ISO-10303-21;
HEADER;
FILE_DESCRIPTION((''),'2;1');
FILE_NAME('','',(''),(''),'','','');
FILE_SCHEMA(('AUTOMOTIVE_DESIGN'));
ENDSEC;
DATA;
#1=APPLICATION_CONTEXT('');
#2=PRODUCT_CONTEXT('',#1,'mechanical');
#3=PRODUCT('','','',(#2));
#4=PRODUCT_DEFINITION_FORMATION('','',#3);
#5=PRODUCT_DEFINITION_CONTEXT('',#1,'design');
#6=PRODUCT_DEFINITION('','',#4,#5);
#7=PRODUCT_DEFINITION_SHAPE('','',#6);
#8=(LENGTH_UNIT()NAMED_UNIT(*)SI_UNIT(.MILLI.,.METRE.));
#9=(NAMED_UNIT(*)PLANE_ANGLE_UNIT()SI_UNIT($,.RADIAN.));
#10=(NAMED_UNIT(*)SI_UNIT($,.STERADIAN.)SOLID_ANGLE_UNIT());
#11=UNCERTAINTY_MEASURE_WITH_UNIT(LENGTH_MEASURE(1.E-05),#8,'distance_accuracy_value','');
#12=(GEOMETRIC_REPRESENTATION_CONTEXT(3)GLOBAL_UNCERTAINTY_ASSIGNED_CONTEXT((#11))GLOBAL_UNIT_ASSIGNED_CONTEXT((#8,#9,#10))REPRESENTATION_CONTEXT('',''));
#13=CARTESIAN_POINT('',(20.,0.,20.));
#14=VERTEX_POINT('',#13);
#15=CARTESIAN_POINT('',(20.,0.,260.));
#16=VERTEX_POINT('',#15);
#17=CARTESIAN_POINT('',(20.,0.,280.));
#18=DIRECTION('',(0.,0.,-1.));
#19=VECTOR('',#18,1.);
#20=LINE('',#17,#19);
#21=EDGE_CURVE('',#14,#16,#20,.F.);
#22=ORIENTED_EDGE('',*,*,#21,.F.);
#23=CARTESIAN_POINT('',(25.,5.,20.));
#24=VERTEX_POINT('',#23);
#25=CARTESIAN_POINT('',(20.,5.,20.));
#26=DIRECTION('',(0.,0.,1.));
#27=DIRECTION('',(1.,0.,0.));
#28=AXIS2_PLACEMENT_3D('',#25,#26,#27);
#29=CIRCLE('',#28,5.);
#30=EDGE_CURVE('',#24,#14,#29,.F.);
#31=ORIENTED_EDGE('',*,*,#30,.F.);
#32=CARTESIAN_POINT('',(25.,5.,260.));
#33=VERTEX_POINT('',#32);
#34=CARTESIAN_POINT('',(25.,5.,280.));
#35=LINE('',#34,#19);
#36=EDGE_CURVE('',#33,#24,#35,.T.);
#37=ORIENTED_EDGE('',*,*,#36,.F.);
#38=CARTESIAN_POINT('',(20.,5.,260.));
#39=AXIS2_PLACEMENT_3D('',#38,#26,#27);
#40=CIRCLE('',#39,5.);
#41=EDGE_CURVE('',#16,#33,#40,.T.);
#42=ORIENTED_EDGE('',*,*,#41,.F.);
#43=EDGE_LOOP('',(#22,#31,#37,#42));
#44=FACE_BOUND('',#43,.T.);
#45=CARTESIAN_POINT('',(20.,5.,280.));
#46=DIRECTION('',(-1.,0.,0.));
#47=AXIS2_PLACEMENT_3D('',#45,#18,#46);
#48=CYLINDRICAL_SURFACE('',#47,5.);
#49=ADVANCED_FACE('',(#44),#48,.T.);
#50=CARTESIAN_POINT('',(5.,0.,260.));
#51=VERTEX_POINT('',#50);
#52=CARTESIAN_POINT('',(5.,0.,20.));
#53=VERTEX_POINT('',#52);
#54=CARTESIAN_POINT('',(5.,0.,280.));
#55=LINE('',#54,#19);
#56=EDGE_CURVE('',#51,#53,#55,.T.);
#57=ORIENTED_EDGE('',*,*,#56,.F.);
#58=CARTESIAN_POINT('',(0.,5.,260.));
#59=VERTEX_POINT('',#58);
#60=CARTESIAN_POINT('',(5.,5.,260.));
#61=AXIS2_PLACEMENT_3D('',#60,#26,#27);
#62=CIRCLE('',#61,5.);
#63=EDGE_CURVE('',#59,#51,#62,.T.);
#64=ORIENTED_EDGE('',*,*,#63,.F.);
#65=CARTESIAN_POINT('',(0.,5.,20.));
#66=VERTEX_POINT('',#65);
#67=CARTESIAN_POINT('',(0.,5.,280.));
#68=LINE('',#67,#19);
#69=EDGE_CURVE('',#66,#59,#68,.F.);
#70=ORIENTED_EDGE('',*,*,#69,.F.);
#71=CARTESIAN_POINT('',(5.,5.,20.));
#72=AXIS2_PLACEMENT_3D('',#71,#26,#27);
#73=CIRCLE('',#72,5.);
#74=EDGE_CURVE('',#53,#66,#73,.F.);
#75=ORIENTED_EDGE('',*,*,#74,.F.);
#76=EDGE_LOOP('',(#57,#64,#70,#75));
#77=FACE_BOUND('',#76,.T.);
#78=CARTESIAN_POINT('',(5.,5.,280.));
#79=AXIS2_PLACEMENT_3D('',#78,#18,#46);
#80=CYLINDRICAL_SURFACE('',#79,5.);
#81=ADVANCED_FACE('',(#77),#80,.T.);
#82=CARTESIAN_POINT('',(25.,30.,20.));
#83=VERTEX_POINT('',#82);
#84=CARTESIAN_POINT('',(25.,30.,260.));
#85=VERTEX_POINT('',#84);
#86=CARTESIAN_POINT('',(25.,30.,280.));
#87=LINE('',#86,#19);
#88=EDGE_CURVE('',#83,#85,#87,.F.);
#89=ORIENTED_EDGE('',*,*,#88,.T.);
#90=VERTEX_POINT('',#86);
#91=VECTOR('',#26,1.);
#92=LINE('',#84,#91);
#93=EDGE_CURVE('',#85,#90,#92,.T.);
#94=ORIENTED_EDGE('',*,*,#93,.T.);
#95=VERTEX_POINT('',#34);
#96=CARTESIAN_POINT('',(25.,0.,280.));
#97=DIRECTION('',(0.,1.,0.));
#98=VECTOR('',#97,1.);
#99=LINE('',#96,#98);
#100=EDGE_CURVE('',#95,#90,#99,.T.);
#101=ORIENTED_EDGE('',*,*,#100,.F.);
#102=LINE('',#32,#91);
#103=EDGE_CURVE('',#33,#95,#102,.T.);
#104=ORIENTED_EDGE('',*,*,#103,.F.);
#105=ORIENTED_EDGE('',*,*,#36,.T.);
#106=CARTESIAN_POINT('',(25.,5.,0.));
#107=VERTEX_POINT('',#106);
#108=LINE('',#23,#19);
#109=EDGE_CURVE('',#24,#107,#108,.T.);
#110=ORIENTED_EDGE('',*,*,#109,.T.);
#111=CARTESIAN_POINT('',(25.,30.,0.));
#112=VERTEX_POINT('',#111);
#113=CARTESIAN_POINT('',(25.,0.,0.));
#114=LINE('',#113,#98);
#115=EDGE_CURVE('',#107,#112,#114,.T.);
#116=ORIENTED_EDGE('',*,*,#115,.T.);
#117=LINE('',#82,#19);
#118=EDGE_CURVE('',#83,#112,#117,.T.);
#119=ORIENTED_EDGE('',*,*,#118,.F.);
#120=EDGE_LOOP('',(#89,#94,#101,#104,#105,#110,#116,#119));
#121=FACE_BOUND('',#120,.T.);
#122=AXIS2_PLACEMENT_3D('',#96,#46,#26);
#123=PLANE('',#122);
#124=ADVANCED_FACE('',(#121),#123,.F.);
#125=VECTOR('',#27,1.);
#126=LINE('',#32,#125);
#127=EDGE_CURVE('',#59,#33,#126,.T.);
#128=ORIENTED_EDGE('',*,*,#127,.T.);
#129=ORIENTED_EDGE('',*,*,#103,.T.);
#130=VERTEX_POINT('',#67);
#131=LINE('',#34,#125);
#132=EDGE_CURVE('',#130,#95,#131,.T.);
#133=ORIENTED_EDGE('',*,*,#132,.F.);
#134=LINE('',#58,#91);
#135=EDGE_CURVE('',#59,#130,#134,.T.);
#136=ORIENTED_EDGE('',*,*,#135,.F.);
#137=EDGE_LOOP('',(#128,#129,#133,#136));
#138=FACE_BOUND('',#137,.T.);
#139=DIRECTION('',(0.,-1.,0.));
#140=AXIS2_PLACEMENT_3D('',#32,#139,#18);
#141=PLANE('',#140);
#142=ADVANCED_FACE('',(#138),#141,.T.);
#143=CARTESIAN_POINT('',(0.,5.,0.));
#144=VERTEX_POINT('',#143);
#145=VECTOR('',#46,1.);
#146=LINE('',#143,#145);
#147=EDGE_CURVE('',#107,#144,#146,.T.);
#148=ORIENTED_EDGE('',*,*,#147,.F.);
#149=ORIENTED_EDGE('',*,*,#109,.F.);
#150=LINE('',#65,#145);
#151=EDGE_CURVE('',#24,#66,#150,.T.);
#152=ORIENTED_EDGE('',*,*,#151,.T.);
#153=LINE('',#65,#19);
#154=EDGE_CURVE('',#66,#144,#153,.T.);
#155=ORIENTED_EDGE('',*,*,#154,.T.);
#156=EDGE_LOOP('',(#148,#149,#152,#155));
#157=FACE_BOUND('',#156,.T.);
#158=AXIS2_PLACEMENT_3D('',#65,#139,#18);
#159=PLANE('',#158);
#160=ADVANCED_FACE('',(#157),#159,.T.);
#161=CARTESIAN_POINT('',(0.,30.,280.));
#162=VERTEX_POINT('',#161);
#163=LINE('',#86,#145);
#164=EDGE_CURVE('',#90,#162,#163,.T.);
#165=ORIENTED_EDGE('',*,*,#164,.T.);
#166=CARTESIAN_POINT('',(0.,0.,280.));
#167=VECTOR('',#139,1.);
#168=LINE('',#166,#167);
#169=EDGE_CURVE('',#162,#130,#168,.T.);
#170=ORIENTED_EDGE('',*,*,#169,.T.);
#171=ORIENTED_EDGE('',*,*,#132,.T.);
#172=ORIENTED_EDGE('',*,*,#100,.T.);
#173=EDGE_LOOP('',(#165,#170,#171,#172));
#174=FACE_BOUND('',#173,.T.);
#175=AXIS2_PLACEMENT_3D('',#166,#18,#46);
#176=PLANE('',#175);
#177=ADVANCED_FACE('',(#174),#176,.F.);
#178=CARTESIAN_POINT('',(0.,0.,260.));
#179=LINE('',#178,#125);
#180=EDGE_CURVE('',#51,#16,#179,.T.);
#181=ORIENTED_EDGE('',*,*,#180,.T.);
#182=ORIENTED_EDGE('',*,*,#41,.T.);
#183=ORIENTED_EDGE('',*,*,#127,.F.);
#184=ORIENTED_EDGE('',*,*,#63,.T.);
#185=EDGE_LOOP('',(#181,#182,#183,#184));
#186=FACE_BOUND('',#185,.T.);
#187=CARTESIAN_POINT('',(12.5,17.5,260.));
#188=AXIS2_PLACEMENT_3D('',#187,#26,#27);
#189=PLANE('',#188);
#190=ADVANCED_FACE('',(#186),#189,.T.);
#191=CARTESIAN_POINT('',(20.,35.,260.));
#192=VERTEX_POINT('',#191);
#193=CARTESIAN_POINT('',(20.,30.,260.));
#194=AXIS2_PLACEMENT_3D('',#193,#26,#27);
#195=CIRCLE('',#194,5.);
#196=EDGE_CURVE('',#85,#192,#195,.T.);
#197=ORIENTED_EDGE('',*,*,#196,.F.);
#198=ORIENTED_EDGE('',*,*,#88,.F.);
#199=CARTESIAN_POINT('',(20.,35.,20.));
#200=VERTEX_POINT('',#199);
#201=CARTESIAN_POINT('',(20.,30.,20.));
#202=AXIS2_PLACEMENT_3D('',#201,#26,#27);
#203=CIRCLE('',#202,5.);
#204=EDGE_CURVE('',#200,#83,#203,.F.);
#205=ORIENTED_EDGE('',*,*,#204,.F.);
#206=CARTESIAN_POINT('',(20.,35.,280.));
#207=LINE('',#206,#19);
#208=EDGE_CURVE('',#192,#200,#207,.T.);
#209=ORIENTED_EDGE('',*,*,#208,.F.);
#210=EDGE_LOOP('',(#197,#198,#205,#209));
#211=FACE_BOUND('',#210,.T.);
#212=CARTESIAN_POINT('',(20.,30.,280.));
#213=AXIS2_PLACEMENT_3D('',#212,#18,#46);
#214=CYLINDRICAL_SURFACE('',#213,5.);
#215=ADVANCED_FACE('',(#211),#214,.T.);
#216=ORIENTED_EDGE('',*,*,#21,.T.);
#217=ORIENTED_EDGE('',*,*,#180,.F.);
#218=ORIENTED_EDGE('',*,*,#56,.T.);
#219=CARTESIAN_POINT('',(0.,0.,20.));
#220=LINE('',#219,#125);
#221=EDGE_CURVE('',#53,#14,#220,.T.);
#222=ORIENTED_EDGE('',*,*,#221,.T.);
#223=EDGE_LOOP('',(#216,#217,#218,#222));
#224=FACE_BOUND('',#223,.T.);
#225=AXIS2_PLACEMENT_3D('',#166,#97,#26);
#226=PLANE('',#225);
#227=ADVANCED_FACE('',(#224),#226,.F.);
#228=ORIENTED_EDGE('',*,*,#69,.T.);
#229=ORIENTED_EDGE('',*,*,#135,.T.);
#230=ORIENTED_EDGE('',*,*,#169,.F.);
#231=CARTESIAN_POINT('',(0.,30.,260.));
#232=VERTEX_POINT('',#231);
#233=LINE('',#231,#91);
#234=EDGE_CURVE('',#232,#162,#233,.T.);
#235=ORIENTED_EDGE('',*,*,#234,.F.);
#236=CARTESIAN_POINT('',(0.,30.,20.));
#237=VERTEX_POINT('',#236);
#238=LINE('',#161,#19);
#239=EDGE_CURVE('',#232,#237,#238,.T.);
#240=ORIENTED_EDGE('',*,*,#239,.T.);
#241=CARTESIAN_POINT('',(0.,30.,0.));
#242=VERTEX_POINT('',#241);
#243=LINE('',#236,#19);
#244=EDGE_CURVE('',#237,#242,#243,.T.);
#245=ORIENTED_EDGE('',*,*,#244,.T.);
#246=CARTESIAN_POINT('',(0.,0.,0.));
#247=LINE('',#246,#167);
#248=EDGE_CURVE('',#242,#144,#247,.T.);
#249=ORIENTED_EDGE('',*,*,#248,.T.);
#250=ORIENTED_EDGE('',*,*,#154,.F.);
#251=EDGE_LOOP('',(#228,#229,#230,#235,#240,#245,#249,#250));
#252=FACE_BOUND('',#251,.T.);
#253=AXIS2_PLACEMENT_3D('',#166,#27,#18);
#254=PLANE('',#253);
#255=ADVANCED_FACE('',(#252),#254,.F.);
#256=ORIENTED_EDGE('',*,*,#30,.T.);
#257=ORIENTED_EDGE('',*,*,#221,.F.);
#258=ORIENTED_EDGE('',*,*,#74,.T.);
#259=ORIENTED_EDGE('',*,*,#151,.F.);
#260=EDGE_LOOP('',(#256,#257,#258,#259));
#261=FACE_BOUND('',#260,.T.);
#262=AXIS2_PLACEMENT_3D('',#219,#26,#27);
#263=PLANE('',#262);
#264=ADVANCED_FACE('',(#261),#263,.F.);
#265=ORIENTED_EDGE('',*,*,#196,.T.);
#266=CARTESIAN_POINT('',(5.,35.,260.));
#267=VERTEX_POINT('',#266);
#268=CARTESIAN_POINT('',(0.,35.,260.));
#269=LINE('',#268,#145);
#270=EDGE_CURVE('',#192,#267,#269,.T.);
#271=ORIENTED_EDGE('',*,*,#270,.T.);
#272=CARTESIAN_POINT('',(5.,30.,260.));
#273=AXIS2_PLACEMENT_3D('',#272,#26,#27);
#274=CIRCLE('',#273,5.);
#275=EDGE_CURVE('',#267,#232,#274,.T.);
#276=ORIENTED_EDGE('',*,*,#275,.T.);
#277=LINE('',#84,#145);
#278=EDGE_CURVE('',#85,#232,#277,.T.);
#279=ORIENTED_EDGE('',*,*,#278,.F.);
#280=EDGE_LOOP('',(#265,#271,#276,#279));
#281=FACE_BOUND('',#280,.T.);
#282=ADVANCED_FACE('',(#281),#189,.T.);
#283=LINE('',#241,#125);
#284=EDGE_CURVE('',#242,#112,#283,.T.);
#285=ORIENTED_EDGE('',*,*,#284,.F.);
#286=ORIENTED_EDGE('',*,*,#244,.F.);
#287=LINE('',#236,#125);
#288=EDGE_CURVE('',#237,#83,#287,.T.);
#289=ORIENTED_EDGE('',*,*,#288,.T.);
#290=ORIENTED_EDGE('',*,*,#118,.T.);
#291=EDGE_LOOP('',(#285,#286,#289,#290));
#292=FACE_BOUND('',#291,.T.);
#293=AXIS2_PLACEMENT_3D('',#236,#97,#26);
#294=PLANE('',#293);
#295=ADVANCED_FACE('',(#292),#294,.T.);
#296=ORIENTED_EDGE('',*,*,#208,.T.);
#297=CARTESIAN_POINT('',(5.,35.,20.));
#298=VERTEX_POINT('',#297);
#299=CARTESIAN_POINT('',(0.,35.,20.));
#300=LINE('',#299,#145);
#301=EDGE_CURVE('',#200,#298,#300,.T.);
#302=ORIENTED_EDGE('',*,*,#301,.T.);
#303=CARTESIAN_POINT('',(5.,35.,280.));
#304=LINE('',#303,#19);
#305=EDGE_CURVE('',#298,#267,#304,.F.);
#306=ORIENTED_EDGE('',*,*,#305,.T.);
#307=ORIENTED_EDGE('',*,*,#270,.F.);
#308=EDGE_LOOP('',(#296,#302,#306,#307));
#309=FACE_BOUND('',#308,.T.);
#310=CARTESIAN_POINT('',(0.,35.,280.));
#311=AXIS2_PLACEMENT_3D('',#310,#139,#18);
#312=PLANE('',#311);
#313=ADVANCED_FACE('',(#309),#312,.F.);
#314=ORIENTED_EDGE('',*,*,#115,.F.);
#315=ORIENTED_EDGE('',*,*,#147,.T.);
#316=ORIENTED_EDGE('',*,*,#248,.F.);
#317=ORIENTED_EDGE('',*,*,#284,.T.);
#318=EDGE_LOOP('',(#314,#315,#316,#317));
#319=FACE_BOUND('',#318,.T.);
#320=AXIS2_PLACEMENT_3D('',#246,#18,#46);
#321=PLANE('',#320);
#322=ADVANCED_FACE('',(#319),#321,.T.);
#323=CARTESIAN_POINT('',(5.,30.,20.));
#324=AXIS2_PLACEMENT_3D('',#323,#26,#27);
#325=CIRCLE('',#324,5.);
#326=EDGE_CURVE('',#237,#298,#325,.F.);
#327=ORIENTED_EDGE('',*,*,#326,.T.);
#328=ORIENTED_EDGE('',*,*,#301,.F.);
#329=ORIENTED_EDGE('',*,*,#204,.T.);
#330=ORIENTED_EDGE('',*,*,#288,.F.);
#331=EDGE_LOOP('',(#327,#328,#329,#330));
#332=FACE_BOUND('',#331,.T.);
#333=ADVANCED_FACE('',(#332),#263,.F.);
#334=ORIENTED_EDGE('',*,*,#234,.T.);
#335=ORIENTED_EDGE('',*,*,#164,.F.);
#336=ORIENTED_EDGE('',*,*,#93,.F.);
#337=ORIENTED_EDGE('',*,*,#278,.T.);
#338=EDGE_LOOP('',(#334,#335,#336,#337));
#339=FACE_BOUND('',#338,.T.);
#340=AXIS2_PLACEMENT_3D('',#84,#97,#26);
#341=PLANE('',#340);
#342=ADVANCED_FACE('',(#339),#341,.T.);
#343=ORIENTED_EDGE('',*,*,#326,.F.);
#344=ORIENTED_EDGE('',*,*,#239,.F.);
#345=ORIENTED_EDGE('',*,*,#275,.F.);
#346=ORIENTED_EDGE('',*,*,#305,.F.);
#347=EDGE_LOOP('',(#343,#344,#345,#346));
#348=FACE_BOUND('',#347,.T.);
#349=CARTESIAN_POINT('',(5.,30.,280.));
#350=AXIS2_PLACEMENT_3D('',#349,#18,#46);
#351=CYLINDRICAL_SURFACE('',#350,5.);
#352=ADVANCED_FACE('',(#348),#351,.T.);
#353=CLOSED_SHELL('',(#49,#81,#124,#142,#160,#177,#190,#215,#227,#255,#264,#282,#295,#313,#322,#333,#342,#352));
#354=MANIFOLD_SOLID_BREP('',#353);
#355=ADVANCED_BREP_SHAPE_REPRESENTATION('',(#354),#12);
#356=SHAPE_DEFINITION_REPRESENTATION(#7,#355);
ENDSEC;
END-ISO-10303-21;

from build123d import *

# Parameters (mm, degrees)
ESQUISSE1_W             = 25
ESQUISSE1_H             = 35
BOSS_EXTRU_1_DEPTH      = 280
ESQUISSE2_OUTSIDE_W     = 83.656
ESQUISSE2_OUTSIDE_H     = 93.656
ESQUISSE2_OUTSIDE_W_2   = 25
ESQUISSE2_OUTSIDE_H_2   = 25
ENL_V_MAT_EXTRU_2_DEPTH = 20
ENL_V_START             = -280
ESQUISSE2_2_OUTSIDE_W   = 83.656
ESQUISSE2_2_OUTSIDE_H   = 93.656
ESQUISSE2_2_OUTSIDE_W_2 = 25
ESQUISSE2_2_OUTSIDE_H_2 = 25
ENL_V_MAT_EXTRU_3_DEPTH = 20
CONG_1_R                = 5


with BuildPart() as part:
    # Esquisse1 → Boss.-Extru.1 (new body)
    with BuildSketch(Plane.XY):
        with Locations((12.5, 17.5)):
            Rectangle(ESQUISSE1_W, ESQUISSE1_H)
    extrude(amount=BOSS_EXTRU_1_DEPTH)

    # Esquisse2 outside → Enlèv. mat.-Extru.2 (cut)
    with BuildSketch(Plane.XY.offset(280)):
        with Locations((12.5, 17.5)):
            Rectangle(ESQUISSE2_OUTSIDE_W, ESQUISSE2_OUTSIDE_H)
        with Locations((12.5, 17.5)):
            Rectangle(ESQUISSE2_OUTSIDE_W_2, ESQUISSE2_OUTSIDE_H_2, mode=Mode.SUBTRACT)
    extrude(amount=-ENL_V_MAT_EXTRU_2_DEPTH, mode=Mode.SUBTRACT)

    # Esquisse2<2> outside → Enlèv. mat.-Extru.3 (cut)
    with BuildSketch(Plane.XY.offset(280).offset(ENL_V_START)):
        with Locations((12.5, 17.5)):
            Rectangle(ESQUISSE2_2_OUTSIDE_W, ESQUISSE2_2_OUTSIDE_H)
        with Locations((12.5, 17.5)):
            Rectangle(ESQUISSE2_2_OUTSIDE_W_2, ESQUISSE2_2_OUTSIDE_H_2, mode=Mode.SUBTRACT)
    extrude(amount=ENL_V_MAT_EXTRU_3_DEPTH, mode=Mode.SUBTRACT)

    # Congé1
    cong_1_edges = [part.edges().sort_by_distance(p)[0] for p in [
        (0, 0, 140),
        (25, 0, 140),
        (25, 35, 140),
        (0, 35, 140),
    ]]
    fillet(cong_1_edges, radius=CONG_1_R)


solid = part.part
